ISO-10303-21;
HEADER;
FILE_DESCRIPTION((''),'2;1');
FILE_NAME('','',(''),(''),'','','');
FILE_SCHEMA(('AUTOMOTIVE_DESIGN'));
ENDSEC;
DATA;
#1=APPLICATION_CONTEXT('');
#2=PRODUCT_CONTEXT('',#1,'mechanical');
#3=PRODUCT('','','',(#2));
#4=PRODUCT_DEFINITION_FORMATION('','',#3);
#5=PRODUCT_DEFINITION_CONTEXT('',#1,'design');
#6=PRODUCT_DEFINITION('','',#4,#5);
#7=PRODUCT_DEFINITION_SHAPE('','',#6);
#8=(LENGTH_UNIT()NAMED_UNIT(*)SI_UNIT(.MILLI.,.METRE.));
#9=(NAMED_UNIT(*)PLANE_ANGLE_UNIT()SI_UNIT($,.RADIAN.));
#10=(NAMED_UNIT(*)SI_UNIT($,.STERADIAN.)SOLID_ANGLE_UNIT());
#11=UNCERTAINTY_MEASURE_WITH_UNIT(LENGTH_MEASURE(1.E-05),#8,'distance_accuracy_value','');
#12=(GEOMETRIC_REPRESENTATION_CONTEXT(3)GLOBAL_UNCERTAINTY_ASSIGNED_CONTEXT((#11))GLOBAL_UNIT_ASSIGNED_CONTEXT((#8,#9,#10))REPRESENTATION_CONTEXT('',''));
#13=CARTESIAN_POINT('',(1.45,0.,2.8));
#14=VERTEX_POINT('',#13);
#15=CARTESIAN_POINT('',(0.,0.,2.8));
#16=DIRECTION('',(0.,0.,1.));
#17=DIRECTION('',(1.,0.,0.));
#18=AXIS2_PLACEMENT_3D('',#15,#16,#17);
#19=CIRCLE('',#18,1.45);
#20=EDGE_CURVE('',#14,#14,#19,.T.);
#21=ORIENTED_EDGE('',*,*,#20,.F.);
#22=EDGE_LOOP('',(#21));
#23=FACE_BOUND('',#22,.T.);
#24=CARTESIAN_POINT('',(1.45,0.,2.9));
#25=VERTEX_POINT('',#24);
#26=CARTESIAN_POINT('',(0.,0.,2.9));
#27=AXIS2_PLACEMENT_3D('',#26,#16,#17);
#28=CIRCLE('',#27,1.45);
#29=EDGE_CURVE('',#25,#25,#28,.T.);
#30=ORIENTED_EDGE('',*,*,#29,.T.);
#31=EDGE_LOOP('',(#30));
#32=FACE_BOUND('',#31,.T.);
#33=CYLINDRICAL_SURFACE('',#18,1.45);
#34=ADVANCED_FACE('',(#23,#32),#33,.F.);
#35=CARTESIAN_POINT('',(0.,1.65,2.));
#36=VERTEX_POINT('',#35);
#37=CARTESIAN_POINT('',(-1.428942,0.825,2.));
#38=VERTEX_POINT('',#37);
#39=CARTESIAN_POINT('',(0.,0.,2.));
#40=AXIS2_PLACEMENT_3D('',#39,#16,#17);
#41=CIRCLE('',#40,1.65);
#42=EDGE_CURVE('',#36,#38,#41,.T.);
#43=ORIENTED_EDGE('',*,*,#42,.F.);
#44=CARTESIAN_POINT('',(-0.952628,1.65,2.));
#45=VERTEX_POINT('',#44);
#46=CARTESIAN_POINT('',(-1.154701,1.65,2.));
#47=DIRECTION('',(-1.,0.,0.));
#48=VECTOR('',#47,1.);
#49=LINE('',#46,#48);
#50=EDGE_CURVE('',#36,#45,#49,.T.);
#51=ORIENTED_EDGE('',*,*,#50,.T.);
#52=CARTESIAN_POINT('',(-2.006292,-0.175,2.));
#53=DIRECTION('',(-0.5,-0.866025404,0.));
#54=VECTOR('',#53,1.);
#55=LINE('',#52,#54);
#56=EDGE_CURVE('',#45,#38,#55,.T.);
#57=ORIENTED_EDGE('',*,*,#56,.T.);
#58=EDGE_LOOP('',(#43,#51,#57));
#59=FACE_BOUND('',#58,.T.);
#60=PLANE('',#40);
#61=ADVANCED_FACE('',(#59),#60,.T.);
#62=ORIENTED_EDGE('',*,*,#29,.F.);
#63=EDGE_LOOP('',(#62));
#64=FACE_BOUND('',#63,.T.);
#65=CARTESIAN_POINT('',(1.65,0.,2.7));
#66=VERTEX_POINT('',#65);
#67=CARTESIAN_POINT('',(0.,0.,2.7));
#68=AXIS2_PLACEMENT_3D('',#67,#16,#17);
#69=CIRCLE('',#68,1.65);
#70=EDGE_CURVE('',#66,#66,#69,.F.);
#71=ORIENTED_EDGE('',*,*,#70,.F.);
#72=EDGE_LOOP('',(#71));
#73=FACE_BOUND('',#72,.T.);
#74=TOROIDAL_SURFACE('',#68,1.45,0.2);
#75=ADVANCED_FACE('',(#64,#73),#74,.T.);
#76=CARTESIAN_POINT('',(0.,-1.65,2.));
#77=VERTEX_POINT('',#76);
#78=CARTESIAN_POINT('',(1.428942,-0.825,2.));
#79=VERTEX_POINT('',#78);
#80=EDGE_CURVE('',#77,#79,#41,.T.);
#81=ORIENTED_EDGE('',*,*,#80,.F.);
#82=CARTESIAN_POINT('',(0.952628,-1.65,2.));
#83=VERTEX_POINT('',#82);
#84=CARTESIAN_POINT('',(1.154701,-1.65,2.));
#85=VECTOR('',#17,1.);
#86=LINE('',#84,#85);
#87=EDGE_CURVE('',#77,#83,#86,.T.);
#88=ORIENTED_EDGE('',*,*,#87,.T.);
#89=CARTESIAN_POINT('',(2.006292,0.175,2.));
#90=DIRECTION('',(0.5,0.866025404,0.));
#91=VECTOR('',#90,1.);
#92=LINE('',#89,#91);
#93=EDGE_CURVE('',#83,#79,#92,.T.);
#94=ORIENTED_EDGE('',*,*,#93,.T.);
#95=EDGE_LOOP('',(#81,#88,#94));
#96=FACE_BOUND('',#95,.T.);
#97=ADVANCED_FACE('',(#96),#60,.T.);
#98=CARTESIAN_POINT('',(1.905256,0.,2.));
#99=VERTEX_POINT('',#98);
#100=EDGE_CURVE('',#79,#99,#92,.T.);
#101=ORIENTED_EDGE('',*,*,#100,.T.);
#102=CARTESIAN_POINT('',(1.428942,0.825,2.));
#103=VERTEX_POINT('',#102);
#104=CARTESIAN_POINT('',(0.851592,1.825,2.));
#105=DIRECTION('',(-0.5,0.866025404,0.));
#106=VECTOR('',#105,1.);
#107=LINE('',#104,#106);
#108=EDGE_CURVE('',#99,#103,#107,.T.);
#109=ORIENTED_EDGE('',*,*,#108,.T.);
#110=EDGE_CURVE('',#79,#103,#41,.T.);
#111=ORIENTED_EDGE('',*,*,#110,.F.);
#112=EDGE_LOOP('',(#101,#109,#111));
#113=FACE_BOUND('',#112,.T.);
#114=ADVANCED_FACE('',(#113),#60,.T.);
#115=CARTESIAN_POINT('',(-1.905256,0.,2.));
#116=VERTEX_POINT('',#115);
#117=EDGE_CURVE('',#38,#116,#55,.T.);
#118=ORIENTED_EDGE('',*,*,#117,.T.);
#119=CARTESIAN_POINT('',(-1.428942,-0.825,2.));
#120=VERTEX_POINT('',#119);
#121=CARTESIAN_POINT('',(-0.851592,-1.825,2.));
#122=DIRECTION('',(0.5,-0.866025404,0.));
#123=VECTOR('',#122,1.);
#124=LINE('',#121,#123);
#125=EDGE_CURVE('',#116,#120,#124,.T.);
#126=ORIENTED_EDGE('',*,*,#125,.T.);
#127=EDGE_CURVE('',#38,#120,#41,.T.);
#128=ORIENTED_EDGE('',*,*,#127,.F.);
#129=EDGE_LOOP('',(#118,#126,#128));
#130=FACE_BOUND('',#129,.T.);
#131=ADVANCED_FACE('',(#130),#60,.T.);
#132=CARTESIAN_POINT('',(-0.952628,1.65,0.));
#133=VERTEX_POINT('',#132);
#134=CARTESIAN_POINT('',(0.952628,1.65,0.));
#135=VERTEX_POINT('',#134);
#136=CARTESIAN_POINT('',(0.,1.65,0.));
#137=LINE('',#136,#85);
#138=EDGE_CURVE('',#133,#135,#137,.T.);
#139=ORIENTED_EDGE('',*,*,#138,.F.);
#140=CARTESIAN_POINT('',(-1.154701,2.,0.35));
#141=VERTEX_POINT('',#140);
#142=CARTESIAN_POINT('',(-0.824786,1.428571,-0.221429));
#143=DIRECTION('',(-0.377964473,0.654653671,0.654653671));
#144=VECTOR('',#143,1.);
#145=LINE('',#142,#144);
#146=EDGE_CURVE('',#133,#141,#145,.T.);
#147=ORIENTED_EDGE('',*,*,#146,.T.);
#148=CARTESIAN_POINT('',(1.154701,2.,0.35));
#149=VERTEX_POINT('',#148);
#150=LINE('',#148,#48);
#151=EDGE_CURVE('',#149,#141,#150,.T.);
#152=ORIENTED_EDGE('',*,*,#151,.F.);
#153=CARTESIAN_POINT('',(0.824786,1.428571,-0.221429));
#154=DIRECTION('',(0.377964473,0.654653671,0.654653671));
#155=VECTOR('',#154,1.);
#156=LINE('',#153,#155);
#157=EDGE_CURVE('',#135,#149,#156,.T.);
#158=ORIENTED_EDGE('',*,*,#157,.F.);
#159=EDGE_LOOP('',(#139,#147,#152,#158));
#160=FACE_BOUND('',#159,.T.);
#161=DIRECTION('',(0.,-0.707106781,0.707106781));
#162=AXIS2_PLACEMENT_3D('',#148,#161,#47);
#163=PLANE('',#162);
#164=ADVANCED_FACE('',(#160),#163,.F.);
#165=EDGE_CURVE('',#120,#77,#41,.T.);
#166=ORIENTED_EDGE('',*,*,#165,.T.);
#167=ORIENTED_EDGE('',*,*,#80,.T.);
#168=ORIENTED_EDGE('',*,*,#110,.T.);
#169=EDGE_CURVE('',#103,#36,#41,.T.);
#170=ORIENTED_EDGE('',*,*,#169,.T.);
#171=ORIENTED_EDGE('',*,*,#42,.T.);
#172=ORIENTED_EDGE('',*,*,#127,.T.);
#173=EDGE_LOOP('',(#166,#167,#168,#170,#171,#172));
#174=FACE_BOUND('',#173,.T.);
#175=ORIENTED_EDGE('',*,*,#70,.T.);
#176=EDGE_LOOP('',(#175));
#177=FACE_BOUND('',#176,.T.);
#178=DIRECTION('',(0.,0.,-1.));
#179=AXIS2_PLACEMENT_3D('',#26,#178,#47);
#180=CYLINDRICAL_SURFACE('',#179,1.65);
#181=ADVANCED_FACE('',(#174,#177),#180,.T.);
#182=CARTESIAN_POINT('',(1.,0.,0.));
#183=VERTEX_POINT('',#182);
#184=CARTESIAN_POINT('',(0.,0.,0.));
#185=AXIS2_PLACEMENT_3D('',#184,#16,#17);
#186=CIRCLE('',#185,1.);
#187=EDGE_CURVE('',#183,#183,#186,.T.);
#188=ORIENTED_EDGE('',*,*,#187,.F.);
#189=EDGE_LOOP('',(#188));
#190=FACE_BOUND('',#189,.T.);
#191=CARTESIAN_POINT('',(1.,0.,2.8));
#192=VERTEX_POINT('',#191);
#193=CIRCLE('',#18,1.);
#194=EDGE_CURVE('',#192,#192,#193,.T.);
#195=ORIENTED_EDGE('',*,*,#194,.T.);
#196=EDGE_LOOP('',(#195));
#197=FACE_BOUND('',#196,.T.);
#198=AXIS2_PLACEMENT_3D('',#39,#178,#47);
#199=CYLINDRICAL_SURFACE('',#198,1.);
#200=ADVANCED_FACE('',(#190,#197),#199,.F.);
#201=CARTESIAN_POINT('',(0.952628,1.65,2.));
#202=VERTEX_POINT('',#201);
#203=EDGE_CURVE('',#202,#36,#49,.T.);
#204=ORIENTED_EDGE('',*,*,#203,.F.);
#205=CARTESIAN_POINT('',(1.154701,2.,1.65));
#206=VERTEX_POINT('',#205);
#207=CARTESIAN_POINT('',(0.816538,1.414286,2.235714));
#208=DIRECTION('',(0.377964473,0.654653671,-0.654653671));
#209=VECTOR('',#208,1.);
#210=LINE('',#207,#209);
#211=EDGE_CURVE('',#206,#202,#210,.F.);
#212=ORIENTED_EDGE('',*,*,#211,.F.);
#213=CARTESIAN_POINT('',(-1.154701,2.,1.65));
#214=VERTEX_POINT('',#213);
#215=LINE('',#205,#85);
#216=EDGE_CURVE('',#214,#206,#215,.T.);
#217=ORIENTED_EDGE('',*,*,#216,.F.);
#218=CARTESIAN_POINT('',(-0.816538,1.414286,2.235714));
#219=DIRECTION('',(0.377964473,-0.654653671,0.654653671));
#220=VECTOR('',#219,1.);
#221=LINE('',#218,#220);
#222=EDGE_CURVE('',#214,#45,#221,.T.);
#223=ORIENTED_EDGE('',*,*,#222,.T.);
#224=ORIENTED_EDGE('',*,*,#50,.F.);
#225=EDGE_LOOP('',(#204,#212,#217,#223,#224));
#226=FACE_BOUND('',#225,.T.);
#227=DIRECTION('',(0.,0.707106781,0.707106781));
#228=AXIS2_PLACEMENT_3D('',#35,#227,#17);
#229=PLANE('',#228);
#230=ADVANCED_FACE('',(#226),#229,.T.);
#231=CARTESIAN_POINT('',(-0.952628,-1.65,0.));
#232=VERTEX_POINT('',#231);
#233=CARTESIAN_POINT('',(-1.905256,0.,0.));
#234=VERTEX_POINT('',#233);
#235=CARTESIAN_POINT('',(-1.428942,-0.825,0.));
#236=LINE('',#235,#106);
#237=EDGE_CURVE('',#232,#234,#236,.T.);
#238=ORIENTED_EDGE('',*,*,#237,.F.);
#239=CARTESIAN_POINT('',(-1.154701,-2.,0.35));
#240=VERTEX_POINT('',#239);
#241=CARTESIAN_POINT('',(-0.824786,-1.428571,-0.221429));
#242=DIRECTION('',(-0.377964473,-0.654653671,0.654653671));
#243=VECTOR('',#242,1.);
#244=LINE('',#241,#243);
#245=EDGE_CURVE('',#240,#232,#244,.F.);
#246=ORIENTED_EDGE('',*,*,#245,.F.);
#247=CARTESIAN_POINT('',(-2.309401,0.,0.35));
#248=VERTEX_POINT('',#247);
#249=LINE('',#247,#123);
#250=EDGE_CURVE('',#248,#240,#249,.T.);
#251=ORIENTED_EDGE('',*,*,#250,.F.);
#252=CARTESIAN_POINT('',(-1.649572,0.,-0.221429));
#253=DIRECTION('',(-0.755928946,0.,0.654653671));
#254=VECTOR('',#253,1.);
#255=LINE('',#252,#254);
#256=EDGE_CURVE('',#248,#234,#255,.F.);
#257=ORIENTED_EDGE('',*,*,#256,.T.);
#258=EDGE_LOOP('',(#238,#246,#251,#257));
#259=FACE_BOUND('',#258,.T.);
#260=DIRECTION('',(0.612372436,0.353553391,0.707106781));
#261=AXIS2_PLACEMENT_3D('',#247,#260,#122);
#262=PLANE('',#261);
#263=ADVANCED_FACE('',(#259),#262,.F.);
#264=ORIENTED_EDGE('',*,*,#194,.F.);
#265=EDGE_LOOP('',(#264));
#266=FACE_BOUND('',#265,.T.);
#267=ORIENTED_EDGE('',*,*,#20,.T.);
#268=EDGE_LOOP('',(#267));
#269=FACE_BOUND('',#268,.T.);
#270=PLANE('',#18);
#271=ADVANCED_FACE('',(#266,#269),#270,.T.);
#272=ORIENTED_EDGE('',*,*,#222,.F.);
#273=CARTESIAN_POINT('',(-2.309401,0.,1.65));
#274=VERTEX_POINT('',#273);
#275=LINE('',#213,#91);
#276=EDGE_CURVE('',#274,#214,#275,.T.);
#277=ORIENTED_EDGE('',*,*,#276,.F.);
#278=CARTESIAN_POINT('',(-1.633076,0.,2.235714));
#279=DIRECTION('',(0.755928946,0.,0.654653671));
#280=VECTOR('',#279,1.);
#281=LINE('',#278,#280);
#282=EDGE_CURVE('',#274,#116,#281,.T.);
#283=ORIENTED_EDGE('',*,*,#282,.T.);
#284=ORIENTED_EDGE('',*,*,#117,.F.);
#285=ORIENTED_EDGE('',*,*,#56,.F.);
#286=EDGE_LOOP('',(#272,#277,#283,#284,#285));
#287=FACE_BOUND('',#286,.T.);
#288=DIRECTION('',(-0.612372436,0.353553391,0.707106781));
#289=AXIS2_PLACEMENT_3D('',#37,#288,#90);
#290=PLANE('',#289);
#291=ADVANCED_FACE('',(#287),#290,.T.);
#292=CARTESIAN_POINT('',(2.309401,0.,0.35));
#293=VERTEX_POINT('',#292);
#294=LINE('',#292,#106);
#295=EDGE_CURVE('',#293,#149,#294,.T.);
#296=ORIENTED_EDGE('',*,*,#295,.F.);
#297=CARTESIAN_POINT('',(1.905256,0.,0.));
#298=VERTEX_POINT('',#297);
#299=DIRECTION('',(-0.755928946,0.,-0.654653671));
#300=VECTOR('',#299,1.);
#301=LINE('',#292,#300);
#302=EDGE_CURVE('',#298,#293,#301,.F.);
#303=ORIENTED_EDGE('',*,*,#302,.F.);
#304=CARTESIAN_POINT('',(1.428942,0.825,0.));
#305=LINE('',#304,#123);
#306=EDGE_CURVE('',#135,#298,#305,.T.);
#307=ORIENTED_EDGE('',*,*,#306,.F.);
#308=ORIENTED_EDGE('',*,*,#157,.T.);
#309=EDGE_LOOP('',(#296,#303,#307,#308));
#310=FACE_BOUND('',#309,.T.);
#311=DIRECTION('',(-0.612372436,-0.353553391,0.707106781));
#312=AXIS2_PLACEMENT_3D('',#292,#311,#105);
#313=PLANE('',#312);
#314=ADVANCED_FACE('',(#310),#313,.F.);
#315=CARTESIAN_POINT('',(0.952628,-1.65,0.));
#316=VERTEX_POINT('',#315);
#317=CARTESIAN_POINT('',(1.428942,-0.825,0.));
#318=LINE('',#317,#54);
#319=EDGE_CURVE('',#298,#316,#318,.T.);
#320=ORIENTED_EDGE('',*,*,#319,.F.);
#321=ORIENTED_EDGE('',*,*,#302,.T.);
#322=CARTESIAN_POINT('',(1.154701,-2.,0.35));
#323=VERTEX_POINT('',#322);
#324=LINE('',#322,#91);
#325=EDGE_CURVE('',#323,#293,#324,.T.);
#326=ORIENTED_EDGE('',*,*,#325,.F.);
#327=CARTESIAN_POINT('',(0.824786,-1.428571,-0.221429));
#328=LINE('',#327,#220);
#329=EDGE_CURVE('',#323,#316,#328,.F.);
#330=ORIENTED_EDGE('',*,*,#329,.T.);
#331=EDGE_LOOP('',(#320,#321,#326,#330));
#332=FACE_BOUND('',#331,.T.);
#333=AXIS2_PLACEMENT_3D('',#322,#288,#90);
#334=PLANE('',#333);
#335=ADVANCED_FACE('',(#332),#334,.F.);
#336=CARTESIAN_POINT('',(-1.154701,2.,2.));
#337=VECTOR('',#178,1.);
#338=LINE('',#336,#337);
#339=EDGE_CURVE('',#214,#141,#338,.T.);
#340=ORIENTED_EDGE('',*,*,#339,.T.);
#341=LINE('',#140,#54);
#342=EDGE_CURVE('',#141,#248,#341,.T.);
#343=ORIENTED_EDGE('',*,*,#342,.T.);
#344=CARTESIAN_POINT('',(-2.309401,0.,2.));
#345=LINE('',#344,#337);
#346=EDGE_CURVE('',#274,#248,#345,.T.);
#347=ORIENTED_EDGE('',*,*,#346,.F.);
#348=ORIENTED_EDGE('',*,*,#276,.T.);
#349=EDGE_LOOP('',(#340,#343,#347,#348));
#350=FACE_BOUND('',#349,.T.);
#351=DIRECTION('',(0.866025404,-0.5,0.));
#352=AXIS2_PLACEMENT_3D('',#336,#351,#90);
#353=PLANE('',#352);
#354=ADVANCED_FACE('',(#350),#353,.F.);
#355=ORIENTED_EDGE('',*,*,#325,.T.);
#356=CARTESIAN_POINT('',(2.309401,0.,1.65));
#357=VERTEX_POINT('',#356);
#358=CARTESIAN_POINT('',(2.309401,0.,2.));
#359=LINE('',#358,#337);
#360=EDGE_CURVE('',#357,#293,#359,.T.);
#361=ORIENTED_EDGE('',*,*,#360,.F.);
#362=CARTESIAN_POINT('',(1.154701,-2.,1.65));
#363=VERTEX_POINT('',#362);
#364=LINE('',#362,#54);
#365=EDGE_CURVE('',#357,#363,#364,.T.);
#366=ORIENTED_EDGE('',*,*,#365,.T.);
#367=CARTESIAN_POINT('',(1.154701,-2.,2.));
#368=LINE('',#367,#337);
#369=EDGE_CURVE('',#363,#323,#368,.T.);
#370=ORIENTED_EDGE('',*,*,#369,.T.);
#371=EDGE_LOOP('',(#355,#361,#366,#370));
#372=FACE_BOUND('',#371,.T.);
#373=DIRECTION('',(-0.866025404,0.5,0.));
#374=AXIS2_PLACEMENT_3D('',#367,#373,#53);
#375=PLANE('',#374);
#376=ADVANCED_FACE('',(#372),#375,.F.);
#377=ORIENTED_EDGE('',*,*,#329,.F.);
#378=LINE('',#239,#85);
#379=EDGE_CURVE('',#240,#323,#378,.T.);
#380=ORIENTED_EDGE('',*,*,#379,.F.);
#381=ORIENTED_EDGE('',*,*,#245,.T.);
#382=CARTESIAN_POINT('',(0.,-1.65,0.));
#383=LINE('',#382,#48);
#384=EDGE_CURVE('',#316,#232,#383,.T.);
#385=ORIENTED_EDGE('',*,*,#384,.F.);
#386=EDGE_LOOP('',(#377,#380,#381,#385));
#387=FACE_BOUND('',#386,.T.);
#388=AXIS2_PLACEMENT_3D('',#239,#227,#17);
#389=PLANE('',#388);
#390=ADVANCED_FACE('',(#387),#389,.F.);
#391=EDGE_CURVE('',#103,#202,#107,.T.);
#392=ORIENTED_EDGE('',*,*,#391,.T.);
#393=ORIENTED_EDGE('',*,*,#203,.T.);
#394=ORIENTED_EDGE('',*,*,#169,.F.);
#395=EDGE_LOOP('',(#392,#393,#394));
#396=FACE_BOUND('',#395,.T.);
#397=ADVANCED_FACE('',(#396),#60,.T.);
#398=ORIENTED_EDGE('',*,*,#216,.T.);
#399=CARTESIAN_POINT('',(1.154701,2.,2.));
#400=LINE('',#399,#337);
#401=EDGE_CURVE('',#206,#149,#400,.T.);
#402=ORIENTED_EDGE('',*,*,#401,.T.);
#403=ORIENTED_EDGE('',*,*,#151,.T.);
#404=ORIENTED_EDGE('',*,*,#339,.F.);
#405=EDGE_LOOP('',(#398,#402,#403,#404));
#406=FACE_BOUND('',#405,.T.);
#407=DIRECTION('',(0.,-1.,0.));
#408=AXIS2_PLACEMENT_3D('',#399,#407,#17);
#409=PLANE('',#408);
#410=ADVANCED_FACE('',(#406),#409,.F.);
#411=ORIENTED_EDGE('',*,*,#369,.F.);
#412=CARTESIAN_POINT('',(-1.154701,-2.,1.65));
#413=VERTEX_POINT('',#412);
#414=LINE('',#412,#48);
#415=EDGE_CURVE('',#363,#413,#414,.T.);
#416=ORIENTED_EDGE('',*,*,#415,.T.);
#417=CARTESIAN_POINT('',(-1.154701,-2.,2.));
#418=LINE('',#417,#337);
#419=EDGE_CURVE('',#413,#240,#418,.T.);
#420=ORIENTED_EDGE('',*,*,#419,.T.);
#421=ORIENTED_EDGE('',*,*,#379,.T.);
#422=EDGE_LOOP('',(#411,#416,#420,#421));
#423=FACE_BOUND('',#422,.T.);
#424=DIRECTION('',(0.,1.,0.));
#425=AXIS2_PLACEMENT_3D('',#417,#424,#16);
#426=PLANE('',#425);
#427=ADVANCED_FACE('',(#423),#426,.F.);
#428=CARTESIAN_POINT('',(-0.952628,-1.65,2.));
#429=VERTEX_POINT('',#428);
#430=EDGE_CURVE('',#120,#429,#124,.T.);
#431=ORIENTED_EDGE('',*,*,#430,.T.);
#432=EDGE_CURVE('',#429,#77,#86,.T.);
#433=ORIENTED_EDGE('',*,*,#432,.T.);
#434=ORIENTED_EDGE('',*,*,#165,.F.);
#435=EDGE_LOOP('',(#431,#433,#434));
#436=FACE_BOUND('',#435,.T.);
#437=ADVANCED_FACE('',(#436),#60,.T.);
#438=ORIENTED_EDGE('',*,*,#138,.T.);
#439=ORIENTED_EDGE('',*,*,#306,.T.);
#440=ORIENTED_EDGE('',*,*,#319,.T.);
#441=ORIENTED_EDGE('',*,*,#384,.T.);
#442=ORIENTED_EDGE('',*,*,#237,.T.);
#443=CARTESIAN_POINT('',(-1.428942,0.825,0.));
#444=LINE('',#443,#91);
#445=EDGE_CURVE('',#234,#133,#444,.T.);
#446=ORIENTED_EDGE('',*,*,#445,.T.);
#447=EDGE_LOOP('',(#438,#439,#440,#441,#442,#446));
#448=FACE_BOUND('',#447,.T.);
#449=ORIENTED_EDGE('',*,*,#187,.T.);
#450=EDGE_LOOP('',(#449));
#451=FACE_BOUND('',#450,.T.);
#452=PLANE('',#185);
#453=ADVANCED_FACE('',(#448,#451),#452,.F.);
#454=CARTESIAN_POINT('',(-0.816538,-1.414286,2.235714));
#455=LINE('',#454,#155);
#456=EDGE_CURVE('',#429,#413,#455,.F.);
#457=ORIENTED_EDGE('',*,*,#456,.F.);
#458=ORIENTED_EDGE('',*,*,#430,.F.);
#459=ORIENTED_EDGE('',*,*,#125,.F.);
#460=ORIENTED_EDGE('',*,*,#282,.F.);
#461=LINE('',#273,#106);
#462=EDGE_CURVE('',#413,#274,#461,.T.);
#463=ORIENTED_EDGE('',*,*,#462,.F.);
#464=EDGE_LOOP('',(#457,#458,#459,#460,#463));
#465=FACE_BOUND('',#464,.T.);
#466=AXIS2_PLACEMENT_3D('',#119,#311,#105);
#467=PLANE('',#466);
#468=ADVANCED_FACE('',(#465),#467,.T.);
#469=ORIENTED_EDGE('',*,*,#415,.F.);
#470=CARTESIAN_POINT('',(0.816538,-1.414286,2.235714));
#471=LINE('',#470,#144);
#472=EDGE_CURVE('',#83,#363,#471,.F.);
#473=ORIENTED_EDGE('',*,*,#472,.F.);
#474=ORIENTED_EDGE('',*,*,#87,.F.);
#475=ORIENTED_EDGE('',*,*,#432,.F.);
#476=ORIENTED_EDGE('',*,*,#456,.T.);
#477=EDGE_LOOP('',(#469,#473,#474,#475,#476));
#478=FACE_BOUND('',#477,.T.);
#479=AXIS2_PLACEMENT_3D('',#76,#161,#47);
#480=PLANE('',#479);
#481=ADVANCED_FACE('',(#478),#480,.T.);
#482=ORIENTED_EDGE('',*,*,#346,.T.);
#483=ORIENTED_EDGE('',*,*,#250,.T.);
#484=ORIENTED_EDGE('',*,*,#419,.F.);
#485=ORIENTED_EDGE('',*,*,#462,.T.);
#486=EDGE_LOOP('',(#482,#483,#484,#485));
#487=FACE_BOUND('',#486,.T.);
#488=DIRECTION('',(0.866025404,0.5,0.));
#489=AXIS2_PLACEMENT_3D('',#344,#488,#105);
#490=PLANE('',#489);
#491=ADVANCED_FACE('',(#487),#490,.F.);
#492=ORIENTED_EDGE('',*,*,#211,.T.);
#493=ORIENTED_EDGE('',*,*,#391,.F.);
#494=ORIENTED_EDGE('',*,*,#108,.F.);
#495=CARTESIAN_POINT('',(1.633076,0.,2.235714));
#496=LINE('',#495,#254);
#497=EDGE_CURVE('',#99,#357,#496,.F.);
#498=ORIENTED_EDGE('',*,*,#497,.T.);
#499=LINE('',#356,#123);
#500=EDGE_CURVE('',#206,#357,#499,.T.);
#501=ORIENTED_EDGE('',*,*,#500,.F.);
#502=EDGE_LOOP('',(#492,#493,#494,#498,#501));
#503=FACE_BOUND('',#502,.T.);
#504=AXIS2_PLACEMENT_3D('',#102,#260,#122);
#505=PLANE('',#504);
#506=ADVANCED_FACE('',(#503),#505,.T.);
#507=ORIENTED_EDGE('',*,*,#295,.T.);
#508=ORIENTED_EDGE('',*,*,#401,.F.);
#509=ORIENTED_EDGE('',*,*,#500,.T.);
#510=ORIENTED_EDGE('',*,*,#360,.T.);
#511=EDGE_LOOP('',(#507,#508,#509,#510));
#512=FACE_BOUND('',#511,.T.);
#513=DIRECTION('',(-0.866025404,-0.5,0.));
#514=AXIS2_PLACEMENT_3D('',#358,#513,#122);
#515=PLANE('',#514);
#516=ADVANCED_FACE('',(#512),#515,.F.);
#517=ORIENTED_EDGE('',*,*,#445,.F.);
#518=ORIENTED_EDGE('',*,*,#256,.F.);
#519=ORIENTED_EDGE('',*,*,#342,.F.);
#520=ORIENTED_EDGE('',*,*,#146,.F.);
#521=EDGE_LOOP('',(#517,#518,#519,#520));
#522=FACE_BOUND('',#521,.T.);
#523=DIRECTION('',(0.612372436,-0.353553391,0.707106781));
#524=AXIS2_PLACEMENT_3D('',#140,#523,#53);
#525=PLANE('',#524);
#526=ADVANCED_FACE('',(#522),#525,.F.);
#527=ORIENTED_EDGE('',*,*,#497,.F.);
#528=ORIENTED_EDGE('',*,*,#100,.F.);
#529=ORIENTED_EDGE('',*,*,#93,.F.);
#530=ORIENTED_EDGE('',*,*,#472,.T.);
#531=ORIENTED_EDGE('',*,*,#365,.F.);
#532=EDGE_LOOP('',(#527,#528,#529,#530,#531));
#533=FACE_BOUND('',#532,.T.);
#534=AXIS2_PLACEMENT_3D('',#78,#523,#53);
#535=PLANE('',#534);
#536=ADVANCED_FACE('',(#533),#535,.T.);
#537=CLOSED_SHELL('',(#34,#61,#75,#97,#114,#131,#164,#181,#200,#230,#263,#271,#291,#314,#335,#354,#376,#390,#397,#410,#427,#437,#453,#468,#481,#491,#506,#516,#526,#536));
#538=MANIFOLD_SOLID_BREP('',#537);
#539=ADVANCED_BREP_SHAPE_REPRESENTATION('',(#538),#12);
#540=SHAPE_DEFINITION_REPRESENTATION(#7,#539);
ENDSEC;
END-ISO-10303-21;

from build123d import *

# Parameters (mm, degrees)
SKETCH1_R           = 1
SHAPE_DEPTH         = 2
CHAMFER_2_SIZE      = 0.35
SKETCH2_R           = 1.65
SKETCH2_R_2         = 1
BOSS_EXTRUDE2_DEPTH = 0.9
FILLET1_R           = 0.2
CUT_EXTRUDE1_START  = -0.1
SKETCH3_R           = 1.45
SKETCH3_R_2         = 1
CUT_EXTRUDE1_DEPTH  = 0.1


with BuildPart() as part:
    # Sketch1 → Shape (new body)
    with BuildSketch(Plane.XY):
        Polygon((-1.154700538, -2), (1.154700538, -2), (2.309401077, 0), (1.154700538, 2), (-1.154700538, 2), (-2.309401077, 0), align=None)
        Circle(SKETCH1_R, mode=Mode.SUBTRACT)
    extrude(amount=SHAPE_DEPTH)

    # Chamfer 2
    chamfer_2_edges = [part.edges().sort_by_distance(p)[0] for p in [
        (1.732050808, -1, 0),
        (0, -2, 0),
        (-1.732050808, -1, 0),
        (-1.732050808, 1, 0),
        (0, 2, 0),
        (1.732050808, 1, 0),
        (1.732050808, 1, 2),
        (1.732050808, -1, 2),
        (0, -2, 2),
        (-1.732050808, -1, 2),
        (-1.732050808, 1, 2),
        (0, 2, 2),
    ]]
    chamfer(chamfer_2_edges, length=CHAMFER_2_SIZE)

    # Sketch2 → Boss-Extrude2 (add)
    with BuildSketch(Plane.XY.offset(2)):
        Circle(SKETCH2_R)
        Circle(SKETCH2_R_2, mode=Mode.SUBTRACT)
    extrude(amount=BOSS_EXTRUDE2_DEPTH)

    # Fillet1
    fillet1_edges = [part.edges().sort_by_distance(p)[0] for p in [
        (-1.65, 0, 2.9),
    ]]
    fillet(fillet1_edges, radius=FILLET1_R)

    # Sketch3 → Cut-Extrude1 (cut)
    with BuildSketch(Plane.XY.offset(2.9).offset(CUT_EXTRUDE1_START)):
        Circle(SKETCH3_R)
        Circle(SKETCH3_R_2, mode=Mode.SUBTRACT)
    extrude(amount=CUT_EXTRUDE1_DEPTH, mode=Mode.SUBTRACT)


solid = part.part
